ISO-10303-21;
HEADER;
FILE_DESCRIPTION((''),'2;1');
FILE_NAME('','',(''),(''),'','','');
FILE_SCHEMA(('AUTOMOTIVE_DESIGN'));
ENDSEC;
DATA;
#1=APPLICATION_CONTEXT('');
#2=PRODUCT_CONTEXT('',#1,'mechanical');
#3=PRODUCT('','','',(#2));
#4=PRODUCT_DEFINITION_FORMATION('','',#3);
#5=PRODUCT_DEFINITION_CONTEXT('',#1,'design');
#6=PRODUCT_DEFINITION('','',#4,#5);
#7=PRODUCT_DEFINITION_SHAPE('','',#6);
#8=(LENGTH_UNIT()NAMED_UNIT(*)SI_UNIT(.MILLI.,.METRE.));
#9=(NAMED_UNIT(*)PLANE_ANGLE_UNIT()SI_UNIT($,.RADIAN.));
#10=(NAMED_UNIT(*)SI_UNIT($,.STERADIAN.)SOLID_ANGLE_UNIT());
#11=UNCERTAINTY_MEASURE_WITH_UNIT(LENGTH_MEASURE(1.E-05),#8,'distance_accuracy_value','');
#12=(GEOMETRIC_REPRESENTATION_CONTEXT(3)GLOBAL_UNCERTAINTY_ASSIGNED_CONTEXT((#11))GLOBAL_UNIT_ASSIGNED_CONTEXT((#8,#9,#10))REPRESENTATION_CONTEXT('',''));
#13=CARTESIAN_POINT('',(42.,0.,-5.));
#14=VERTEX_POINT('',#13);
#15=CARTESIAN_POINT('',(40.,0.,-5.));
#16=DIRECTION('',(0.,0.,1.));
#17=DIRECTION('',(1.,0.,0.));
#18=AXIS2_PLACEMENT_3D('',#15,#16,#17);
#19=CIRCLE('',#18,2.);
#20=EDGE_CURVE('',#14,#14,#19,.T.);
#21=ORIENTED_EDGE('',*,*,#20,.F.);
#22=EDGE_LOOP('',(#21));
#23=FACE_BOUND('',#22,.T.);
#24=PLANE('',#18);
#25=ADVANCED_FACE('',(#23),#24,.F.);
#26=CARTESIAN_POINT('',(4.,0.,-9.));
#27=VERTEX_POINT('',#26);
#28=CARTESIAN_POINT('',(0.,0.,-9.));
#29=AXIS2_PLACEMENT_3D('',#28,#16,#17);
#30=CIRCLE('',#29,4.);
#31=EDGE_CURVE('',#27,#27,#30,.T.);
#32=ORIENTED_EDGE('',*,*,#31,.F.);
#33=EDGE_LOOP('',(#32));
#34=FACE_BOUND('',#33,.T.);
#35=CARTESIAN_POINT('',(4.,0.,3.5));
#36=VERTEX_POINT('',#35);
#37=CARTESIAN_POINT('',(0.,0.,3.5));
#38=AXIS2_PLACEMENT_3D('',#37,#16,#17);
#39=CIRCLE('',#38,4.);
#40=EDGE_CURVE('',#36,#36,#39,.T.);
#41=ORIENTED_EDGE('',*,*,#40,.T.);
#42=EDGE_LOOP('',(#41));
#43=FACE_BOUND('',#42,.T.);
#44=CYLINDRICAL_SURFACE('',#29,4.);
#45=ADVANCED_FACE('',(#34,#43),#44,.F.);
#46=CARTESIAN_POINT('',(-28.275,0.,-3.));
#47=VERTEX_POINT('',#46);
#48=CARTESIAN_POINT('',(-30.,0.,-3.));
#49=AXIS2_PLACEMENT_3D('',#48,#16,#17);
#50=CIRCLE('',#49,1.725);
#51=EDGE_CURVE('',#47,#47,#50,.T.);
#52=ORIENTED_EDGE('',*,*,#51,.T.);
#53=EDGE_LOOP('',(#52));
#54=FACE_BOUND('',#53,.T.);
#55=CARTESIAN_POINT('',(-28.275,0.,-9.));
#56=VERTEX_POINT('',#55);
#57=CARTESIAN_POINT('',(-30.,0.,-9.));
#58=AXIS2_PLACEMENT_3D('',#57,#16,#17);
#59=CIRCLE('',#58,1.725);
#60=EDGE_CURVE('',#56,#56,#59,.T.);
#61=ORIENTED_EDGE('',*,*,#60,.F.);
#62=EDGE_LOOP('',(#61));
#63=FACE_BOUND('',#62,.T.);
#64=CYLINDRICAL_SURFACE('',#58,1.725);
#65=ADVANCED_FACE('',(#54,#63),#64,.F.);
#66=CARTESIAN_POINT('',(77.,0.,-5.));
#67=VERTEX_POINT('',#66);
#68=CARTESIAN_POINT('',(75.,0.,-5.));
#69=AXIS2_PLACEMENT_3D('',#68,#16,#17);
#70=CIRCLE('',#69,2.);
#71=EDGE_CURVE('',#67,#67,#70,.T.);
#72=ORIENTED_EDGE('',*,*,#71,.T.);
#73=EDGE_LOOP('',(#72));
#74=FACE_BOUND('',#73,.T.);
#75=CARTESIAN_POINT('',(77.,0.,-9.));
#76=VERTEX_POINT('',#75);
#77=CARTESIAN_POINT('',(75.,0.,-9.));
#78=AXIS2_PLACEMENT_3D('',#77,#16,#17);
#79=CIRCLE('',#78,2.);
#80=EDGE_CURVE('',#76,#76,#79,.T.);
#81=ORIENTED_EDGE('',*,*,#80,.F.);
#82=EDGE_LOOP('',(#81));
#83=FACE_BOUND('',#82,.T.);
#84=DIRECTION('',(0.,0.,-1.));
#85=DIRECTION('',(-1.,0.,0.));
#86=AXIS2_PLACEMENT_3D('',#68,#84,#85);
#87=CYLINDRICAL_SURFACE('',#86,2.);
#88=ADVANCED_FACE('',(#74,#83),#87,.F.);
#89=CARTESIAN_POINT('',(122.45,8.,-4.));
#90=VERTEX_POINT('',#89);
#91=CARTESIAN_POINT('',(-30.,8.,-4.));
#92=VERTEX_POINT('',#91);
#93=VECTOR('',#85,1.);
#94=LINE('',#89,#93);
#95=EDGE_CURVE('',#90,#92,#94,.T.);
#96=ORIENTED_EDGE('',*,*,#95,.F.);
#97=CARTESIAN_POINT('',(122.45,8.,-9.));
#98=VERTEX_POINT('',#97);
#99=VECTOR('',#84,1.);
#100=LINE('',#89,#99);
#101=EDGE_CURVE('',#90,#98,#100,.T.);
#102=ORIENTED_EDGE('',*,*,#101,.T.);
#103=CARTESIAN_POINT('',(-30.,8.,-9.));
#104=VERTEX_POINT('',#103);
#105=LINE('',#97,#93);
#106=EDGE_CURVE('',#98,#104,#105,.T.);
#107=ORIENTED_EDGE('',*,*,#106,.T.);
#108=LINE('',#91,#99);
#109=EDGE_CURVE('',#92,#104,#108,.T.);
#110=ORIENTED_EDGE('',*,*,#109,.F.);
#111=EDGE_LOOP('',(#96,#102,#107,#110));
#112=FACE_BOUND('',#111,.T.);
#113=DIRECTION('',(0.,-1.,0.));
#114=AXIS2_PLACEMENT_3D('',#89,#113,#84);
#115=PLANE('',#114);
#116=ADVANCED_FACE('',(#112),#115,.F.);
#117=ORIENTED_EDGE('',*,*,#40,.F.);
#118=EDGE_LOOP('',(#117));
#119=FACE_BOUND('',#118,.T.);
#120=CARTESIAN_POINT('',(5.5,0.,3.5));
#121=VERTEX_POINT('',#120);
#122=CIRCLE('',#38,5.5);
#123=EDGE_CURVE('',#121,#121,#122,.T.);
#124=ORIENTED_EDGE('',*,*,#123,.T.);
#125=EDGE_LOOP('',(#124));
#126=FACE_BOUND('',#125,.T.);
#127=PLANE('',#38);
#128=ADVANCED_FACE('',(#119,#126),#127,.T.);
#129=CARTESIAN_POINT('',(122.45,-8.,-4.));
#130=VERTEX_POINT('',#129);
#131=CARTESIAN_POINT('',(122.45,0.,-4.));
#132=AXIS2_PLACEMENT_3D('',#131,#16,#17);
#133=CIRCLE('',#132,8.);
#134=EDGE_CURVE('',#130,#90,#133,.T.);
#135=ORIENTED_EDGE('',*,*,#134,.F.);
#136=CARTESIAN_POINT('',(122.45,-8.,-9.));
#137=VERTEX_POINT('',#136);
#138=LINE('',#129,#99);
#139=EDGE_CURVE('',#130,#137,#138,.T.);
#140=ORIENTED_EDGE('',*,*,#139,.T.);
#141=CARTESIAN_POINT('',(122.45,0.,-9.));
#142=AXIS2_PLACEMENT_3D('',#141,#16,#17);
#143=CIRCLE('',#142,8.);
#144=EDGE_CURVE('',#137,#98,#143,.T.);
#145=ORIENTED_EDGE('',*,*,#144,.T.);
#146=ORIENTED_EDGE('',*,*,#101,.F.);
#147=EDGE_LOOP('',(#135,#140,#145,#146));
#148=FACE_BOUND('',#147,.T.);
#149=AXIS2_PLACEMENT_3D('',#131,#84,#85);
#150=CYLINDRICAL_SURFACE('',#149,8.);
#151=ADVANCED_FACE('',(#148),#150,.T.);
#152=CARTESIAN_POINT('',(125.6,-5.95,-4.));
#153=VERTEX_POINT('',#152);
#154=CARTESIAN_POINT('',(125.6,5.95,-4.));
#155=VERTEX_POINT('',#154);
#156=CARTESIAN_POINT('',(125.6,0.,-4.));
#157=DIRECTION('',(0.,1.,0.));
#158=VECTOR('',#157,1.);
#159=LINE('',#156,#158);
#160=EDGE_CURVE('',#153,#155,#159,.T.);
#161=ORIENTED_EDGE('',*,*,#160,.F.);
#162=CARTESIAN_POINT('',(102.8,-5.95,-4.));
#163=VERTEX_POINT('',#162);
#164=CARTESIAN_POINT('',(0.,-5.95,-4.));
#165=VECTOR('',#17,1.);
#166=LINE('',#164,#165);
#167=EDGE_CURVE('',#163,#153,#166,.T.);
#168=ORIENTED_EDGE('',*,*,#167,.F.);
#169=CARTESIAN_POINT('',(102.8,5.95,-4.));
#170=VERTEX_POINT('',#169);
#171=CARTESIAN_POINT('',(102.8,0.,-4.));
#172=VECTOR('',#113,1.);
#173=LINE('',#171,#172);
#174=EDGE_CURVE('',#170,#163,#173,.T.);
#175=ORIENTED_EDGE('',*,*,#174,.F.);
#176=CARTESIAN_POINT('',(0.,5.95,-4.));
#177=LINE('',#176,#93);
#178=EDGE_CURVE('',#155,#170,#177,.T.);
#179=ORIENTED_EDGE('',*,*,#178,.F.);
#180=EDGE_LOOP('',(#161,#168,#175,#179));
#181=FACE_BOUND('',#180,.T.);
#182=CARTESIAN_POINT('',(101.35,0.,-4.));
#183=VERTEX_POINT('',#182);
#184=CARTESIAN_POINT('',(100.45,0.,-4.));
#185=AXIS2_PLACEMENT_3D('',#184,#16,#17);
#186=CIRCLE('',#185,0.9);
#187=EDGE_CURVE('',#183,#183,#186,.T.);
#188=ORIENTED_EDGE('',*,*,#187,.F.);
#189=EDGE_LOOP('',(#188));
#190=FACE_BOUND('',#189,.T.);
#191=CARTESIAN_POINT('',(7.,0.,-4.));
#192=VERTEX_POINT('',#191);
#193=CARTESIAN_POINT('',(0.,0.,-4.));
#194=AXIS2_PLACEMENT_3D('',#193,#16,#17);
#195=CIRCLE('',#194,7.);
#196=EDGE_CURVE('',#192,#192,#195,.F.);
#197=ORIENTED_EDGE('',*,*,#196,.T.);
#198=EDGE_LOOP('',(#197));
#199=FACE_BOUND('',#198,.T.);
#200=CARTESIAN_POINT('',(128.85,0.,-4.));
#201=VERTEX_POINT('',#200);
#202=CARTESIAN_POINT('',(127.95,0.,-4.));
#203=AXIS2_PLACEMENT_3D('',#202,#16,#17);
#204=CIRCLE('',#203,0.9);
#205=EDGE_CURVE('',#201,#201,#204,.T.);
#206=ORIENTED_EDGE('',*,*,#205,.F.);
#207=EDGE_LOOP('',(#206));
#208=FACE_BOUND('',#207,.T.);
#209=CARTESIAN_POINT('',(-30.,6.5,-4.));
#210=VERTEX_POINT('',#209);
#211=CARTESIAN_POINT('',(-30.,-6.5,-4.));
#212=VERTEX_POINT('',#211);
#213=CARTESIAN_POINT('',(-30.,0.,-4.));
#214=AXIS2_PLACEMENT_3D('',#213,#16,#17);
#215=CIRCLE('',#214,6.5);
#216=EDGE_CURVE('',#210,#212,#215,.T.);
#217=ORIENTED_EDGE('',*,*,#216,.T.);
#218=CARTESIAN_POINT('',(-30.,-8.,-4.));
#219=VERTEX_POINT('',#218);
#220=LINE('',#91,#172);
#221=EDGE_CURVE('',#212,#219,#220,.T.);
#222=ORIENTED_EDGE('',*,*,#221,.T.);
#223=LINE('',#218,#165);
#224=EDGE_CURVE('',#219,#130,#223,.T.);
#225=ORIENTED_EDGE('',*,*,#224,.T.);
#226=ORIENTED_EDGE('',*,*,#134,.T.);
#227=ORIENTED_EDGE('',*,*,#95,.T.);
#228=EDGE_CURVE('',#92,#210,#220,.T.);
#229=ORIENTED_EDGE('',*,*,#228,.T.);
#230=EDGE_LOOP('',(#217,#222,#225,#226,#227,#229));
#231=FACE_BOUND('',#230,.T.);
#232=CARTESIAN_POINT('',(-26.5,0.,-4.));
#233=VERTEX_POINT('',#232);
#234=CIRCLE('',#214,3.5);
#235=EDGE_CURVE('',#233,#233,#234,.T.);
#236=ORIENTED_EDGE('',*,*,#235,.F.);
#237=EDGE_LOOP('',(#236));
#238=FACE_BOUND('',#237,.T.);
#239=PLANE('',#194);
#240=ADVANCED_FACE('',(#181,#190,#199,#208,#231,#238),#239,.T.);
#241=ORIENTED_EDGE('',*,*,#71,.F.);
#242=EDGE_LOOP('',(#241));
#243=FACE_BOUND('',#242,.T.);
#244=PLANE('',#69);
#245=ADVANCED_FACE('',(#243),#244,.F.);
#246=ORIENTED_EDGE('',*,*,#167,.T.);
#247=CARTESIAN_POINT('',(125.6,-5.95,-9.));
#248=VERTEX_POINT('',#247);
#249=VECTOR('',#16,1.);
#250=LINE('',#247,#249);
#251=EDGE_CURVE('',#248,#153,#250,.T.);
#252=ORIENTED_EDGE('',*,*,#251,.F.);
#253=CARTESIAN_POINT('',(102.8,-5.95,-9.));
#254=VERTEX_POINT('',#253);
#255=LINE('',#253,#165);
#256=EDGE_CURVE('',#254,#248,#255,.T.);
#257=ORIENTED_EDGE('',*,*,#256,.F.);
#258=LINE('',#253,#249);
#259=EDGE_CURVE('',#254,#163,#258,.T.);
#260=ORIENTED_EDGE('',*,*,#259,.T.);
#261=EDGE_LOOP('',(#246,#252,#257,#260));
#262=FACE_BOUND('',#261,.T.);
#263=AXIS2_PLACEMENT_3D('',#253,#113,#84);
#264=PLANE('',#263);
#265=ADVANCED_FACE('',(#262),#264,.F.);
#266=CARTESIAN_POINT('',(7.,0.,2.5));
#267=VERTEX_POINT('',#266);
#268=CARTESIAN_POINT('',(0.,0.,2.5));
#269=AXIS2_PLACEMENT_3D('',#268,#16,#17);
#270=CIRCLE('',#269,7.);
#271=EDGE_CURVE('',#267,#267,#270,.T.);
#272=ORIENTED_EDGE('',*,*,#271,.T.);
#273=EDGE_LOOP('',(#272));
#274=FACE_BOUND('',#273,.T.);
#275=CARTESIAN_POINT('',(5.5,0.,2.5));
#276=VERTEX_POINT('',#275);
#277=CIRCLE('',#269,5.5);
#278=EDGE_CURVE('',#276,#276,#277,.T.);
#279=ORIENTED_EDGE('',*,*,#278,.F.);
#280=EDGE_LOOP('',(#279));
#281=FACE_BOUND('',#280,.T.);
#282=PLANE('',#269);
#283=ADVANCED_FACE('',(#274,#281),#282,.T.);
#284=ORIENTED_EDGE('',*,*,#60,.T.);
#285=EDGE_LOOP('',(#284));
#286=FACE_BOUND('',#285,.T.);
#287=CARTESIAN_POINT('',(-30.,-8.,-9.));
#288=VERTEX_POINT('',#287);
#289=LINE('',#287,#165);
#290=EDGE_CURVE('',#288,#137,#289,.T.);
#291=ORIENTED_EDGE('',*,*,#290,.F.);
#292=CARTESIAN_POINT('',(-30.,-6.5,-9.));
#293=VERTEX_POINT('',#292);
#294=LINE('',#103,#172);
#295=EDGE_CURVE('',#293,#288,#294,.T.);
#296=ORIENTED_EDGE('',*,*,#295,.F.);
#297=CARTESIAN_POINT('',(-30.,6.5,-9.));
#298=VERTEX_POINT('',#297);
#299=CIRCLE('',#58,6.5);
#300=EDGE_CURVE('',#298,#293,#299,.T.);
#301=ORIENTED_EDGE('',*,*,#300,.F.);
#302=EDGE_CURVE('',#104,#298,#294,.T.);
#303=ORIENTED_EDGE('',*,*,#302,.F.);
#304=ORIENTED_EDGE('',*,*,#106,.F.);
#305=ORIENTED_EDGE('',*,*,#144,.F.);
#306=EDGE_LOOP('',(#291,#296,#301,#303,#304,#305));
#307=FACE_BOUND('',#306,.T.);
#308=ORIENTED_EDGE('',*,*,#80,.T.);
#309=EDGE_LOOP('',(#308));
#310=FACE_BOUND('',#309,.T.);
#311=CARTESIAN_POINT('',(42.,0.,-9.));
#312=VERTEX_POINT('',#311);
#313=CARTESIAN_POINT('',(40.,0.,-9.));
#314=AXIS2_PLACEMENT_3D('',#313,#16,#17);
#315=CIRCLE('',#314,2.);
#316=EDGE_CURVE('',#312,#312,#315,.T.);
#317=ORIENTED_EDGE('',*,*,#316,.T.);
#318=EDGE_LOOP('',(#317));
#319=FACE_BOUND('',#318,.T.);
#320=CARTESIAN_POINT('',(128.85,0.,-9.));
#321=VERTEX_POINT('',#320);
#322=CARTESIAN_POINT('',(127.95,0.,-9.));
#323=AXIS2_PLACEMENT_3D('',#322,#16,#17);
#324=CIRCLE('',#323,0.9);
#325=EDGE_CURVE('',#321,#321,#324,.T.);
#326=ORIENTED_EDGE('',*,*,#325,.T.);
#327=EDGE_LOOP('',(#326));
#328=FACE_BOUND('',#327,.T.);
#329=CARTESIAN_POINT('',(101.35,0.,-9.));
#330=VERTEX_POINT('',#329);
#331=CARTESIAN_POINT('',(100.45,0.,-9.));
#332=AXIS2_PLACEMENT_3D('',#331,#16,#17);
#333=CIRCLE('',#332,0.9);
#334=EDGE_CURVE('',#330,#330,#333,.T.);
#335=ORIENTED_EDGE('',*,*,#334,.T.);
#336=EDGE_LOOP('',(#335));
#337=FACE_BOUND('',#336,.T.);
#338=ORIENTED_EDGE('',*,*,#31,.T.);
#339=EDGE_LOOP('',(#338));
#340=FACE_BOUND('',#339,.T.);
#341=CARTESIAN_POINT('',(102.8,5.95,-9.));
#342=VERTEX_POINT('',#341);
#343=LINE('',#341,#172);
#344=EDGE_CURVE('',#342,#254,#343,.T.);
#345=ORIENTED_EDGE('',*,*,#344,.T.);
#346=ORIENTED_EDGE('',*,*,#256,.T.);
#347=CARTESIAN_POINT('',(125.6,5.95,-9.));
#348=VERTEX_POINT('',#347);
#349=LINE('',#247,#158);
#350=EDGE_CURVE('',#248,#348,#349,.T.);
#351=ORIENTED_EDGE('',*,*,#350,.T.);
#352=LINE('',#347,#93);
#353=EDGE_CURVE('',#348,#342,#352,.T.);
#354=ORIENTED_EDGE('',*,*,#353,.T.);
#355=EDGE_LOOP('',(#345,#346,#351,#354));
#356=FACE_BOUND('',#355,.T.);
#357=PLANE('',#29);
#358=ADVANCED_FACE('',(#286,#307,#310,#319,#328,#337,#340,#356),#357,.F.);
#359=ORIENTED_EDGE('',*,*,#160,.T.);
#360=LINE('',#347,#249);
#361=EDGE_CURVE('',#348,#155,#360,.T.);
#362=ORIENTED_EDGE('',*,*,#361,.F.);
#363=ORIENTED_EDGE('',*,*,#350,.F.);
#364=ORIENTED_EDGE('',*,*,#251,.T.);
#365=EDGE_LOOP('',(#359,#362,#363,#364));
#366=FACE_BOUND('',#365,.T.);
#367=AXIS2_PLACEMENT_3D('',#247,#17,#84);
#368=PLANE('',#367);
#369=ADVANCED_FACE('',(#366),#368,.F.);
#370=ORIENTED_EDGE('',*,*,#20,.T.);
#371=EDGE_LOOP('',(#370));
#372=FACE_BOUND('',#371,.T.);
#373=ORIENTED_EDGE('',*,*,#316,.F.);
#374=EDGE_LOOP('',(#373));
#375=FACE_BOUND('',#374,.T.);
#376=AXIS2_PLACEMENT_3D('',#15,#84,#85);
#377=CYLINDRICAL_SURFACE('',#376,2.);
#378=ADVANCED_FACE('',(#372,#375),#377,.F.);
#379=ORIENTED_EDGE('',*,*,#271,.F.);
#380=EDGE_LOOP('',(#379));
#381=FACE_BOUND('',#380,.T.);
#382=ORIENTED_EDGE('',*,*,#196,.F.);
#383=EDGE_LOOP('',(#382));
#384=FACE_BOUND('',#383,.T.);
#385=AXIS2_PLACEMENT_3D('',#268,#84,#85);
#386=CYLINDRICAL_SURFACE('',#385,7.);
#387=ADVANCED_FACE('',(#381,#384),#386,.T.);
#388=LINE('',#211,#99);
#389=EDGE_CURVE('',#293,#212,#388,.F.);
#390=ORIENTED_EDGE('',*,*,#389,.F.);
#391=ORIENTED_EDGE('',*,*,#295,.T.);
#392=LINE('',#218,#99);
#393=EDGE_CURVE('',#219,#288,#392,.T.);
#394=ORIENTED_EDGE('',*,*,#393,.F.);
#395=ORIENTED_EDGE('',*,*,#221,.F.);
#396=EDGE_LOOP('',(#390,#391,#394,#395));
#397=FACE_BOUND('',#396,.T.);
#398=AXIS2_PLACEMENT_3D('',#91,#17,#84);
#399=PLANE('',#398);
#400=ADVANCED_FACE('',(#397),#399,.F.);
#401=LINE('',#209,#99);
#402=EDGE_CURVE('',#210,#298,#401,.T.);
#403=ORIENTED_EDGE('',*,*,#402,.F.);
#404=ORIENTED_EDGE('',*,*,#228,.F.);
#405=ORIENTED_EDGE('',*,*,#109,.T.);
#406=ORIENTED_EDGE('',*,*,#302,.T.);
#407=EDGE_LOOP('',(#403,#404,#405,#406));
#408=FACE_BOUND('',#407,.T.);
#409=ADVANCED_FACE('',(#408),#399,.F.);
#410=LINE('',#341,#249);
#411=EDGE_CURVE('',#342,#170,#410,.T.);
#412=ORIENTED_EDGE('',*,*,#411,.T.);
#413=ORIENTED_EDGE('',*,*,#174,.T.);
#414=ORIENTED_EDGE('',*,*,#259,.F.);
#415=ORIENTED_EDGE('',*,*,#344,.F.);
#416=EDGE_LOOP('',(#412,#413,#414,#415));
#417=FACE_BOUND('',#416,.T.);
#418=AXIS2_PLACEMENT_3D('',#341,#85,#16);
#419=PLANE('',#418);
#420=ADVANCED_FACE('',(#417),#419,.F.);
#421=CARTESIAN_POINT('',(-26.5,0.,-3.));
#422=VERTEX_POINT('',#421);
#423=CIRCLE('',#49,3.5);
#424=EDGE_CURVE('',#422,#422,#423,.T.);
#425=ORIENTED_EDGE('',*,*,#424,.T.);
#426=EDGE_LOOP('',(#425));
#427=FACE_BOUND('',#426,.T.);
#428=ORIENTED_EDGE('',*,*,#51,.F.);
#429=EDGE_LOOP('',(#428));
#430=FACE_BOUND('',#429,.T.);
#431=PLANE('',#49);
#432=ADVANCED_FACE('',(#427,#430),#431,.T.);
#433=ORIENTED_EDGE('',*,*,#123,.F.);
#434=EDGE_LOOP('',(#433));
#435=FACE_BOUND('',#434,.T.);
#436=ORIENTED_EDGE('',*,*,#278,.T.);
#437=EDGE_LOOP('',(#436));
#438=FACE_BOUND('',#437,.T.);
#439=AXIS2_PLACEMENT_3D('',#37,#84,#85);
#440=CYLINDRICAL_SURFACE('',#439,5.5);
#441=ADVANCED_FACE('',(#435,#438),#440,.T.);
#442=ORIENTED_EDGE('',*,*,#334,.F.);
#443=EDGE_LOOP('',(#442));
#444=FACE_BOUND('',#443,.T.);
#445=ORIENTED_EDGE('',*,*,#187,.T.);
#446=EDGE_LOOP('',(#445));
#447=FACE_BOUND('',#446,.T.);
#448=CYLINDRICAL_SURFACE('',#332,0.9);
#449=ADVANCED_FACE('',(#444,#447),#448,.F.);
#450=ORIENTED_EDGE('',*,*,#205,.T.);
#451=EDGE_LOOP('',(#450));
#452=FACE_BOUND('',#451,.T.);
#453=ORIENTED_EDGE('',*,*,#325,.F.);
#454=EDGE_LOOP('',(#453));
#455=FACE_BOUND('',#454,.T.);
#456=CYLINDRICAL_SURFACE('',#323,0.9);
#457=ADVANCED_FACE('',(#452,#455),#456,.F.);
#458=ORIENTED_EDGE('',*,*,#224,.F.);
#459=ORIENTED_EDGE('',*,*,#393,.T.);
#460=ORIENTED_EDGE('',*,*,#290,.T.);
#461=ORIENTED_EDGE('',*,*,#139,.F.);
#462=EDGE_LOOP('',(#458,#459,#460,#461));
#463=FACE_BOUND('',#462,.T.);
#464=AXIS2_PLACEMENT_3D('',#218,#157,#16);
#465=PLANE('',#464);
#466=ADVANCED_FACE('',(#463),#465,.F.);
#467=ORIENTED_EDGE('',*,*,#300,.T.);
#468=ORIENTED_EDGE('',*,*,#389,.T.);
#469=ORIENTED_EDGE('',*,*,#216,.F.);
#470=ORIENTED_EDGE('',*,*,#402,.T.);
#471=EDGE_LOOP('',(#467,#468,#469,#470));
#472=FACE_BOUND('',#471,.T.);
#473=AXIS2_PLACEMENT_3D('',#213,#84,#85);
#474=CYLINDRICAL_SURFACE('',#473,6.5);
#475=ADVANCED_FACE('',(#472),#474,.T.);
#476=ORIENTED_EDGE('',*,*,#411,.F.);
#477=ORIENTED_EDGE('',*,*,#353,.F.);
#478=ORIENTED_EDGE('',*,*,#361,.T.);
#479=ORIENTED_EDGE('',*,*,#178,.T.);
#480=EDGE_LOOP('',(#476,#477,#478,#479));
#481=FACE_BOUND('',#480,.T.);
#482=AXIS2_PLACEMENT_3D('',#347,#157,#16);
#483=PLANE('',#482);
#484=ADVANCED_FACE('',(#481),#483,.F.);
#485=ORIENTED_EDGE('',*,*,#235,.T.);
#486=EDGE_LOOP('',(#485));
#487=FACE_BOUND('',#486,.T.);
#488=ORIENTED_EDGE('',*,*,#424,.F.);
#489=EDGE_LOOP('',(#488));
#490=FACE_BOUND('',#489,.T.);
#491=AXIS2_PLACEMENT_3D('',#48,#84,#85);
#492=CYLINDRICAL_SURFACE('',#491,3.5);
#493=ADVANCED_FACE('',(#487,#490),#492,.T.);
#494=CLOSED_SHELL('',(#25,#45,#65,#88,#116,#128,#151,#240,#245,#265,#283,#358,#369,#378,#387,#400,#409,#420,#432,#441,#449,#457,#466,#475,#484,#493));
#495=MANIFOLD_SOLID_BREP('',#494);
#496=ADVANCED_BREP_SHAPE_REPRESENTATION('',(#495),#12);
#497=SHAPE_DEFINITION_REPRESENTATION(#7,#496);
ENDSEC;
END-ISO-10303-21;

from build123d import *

# Parameters (mm, degrees)
BOSS_EXTRUDE1_START     = -9
SKETCH1_W               = 152.45
SKETCH1_H               = 16
BOSS_EXTRUDE1_DEPTH     = 5
BOSS_EXTRUDE2_START     = -9
SKETCH2_R               = 6.5
BOSS_EXTRUDE2_DEPTH     = 5
BOSS_EXTRUDE3_START     = -9
SKETCH3_R               = 8
BOSS_EXTRUDE3_DEPTH     = 5
BOSS_EXTRUDE4_START     = -9
SKETCH4_R               = 7
BOSS_EXTRUDE4_DEPTH     = 11.5
BOSS_EXTRUDE5_START     = 2.5
SKETCH5_R               = 5.5
BOSS_EXTRUDE5_DEPTH     = 1
BOSS_EXTRUDE6_START     = -4
SKETCH6_R               = 3.5
BOSS_EXTRUDE6_DEPTH     = 1
CUT_EXTRUDE1_DEPTH      = 132.004589614
CUT_EXTRUDE1_DEPTH_BACK = 132.004589614
SKETCH7_R               = 4
CUT_EXTRUDE2_DEPTH      = 132.004589614
CUT_EXTRUDE2_DEPTH_BACK = 132.004589614
SKETCH8_R               = 1.725
CUT_EXTRUDE3_DEPTH      = 132.004589614
CUT_EXTRUDE3_DEPTH_BACK = 132.004589614
SKETCH9_W               = 22.8
SKETCH9_H               = 11.9
CUT_EXTRUDE4_DEPTH      = 132.004589614
CUT_EXTRUDE4_DEPTH_BACK = 132.004589614
SKETCH10_R              = 0.9
CUT_EXTRUDE5_START      = -9
SKETCH11_R              = 2
CUT_EXTRUDE5_DEPTH      = 4


with BuildPart() as part:
    # Sketch1 → Boss-Extrude1 (new body)
    with BuildSketch(Plane.XY.offset(BOSS_EXTRUDE1_START)):
        with Locations((46.225, 0)):
            Rectangle(SKETCH1_W, SKETCH1_H)
    extrude(amount=BOSS_EXTRUDE1_DEPTH)

    # Sketch2 → Boss-Extrude2 (add)
    with BuildSketch(Plane.XY.offset(BOSS_EXTRUDE2_START)):
        with Locations((-30, 0)):
            Circle(SKETCH2_R)
    extrude(amount=BOSS_EXTRUDE2_DEPTH)

    # Sketch3 → Boss-Extrude3 (add)
    with BuildSketch(Plane.XY.offset(BOSS_EXTRUDE3_START)):
        with Locations((122.45, 0)):
            Circle(SKETCH3_R)
    extrude(amount=BOSS_EXTRUDE3_DEPTH)

    # Sketch4 → Boss-Extrude4 (add)
    with BuildSketch(Plane.XY.offset(BOSS_EXTRUDE4_START)):
        Circle(SKETCH4_R)
    extrude(amount=BOSS_EXTRUDE4_DEPTH)

    # Sketch5 → Boss-Extrude5 (add)
    with BuildSketch(Plane.XY.offset(BOSS_EXTRUDE5_START)):
        Circle(SKETCH5_R)
    extrude(amount=BOSS_EXTRUDE5_DEPTH)

    # Sketch6 → Boss-Extrude6 (add)
    with BuildSketch(Plane.XY.offset(BOSS_EXTRUDE6_START)):
        with Locations((-30, 0)):
            Circle(SKETCH6_R)
    extrude(amount=BOSS_EXTRUDE6_DEPTH)

    # Sketch7 → Cut-Extrude1 (cut, two sides: drawn at the far end of the back side and taken through both)
    with BuildSketch(Plane.XY.offset(-CUT_EXTRUDE1_DEPTH_BACK)):
        Circle(SKETCH7_R)
    extrude(amount=CUT_EXTRUDE1_DEPTH + CUT_EXTRUDE1_DEPTH_BACK, mode=Mode.SUBTRACT)

    # Sketch8 → Cut-Extrude2 (cut, two sides: drawn at the far end of the back side and taken through both)
    with BuildSketch(Plane.XY.offset(-CUT_EXTRUDE2_DEPTH_BACK)):
        with Locations((-30, 0)):
            Circle(SKETCH8_R)
    extrude(amount=CUT_EXTRUDE2_DEPTH + CUT_EXTRUDE2_DEPTH_BACK, mode=Mode.SUBTRACT)

    # Sketch9 → Cut-Extrude3 (cut, two sides: drawn at the far end of the back side and taken through both)
    with BuildSketch(Plane.XY.offset(-CUT_EXTRUDE3_DEPTH_BACK)):
        with Locations((114.2, 0)):
            Rectangle(SKETCH9_W, SKETCH9_H)
    extrude(amount=CUT_EXTRUDE3_DEPTH + CUT_EXTRUDE3_DEPTH_BACK, mode=Mode.SUBTRACT)

    # Sketch10 → Cut-Extrude4 (cut, two sides: drawn at the far end of the back side and taken through both)
    with BuildSketch(Plane.XY.offset(-CUT_EXTRUDE4_DEPTH_BACK)):
        with Locations((100.45, 0)):
            Circle(SKETCH10_R)
        with Locations((127.95, 0)):
            Circle(SKETCH10_R)
    extrude(amount=CUT_EXTRUDE4_DEPTH + CUT_EXTRUDE4_DEPTH_BACK, mode=Mode.SUBTRACT)

    # Sketch11 → Cut-Extrude5 (cut)
    with BuildSketch(Plane.XY.offset(CUT_EXTRUDE5_START)):
        with Locations((40, 0)):
            Circle(SKETCH11_R)
        with Locations((75, 0)):
            Circle(SKETCH11_R)
    extrude(amount=CUT_EXTRUDE5_DEPTH, mode=Mode.SUBTRACT)


solid = part.part
